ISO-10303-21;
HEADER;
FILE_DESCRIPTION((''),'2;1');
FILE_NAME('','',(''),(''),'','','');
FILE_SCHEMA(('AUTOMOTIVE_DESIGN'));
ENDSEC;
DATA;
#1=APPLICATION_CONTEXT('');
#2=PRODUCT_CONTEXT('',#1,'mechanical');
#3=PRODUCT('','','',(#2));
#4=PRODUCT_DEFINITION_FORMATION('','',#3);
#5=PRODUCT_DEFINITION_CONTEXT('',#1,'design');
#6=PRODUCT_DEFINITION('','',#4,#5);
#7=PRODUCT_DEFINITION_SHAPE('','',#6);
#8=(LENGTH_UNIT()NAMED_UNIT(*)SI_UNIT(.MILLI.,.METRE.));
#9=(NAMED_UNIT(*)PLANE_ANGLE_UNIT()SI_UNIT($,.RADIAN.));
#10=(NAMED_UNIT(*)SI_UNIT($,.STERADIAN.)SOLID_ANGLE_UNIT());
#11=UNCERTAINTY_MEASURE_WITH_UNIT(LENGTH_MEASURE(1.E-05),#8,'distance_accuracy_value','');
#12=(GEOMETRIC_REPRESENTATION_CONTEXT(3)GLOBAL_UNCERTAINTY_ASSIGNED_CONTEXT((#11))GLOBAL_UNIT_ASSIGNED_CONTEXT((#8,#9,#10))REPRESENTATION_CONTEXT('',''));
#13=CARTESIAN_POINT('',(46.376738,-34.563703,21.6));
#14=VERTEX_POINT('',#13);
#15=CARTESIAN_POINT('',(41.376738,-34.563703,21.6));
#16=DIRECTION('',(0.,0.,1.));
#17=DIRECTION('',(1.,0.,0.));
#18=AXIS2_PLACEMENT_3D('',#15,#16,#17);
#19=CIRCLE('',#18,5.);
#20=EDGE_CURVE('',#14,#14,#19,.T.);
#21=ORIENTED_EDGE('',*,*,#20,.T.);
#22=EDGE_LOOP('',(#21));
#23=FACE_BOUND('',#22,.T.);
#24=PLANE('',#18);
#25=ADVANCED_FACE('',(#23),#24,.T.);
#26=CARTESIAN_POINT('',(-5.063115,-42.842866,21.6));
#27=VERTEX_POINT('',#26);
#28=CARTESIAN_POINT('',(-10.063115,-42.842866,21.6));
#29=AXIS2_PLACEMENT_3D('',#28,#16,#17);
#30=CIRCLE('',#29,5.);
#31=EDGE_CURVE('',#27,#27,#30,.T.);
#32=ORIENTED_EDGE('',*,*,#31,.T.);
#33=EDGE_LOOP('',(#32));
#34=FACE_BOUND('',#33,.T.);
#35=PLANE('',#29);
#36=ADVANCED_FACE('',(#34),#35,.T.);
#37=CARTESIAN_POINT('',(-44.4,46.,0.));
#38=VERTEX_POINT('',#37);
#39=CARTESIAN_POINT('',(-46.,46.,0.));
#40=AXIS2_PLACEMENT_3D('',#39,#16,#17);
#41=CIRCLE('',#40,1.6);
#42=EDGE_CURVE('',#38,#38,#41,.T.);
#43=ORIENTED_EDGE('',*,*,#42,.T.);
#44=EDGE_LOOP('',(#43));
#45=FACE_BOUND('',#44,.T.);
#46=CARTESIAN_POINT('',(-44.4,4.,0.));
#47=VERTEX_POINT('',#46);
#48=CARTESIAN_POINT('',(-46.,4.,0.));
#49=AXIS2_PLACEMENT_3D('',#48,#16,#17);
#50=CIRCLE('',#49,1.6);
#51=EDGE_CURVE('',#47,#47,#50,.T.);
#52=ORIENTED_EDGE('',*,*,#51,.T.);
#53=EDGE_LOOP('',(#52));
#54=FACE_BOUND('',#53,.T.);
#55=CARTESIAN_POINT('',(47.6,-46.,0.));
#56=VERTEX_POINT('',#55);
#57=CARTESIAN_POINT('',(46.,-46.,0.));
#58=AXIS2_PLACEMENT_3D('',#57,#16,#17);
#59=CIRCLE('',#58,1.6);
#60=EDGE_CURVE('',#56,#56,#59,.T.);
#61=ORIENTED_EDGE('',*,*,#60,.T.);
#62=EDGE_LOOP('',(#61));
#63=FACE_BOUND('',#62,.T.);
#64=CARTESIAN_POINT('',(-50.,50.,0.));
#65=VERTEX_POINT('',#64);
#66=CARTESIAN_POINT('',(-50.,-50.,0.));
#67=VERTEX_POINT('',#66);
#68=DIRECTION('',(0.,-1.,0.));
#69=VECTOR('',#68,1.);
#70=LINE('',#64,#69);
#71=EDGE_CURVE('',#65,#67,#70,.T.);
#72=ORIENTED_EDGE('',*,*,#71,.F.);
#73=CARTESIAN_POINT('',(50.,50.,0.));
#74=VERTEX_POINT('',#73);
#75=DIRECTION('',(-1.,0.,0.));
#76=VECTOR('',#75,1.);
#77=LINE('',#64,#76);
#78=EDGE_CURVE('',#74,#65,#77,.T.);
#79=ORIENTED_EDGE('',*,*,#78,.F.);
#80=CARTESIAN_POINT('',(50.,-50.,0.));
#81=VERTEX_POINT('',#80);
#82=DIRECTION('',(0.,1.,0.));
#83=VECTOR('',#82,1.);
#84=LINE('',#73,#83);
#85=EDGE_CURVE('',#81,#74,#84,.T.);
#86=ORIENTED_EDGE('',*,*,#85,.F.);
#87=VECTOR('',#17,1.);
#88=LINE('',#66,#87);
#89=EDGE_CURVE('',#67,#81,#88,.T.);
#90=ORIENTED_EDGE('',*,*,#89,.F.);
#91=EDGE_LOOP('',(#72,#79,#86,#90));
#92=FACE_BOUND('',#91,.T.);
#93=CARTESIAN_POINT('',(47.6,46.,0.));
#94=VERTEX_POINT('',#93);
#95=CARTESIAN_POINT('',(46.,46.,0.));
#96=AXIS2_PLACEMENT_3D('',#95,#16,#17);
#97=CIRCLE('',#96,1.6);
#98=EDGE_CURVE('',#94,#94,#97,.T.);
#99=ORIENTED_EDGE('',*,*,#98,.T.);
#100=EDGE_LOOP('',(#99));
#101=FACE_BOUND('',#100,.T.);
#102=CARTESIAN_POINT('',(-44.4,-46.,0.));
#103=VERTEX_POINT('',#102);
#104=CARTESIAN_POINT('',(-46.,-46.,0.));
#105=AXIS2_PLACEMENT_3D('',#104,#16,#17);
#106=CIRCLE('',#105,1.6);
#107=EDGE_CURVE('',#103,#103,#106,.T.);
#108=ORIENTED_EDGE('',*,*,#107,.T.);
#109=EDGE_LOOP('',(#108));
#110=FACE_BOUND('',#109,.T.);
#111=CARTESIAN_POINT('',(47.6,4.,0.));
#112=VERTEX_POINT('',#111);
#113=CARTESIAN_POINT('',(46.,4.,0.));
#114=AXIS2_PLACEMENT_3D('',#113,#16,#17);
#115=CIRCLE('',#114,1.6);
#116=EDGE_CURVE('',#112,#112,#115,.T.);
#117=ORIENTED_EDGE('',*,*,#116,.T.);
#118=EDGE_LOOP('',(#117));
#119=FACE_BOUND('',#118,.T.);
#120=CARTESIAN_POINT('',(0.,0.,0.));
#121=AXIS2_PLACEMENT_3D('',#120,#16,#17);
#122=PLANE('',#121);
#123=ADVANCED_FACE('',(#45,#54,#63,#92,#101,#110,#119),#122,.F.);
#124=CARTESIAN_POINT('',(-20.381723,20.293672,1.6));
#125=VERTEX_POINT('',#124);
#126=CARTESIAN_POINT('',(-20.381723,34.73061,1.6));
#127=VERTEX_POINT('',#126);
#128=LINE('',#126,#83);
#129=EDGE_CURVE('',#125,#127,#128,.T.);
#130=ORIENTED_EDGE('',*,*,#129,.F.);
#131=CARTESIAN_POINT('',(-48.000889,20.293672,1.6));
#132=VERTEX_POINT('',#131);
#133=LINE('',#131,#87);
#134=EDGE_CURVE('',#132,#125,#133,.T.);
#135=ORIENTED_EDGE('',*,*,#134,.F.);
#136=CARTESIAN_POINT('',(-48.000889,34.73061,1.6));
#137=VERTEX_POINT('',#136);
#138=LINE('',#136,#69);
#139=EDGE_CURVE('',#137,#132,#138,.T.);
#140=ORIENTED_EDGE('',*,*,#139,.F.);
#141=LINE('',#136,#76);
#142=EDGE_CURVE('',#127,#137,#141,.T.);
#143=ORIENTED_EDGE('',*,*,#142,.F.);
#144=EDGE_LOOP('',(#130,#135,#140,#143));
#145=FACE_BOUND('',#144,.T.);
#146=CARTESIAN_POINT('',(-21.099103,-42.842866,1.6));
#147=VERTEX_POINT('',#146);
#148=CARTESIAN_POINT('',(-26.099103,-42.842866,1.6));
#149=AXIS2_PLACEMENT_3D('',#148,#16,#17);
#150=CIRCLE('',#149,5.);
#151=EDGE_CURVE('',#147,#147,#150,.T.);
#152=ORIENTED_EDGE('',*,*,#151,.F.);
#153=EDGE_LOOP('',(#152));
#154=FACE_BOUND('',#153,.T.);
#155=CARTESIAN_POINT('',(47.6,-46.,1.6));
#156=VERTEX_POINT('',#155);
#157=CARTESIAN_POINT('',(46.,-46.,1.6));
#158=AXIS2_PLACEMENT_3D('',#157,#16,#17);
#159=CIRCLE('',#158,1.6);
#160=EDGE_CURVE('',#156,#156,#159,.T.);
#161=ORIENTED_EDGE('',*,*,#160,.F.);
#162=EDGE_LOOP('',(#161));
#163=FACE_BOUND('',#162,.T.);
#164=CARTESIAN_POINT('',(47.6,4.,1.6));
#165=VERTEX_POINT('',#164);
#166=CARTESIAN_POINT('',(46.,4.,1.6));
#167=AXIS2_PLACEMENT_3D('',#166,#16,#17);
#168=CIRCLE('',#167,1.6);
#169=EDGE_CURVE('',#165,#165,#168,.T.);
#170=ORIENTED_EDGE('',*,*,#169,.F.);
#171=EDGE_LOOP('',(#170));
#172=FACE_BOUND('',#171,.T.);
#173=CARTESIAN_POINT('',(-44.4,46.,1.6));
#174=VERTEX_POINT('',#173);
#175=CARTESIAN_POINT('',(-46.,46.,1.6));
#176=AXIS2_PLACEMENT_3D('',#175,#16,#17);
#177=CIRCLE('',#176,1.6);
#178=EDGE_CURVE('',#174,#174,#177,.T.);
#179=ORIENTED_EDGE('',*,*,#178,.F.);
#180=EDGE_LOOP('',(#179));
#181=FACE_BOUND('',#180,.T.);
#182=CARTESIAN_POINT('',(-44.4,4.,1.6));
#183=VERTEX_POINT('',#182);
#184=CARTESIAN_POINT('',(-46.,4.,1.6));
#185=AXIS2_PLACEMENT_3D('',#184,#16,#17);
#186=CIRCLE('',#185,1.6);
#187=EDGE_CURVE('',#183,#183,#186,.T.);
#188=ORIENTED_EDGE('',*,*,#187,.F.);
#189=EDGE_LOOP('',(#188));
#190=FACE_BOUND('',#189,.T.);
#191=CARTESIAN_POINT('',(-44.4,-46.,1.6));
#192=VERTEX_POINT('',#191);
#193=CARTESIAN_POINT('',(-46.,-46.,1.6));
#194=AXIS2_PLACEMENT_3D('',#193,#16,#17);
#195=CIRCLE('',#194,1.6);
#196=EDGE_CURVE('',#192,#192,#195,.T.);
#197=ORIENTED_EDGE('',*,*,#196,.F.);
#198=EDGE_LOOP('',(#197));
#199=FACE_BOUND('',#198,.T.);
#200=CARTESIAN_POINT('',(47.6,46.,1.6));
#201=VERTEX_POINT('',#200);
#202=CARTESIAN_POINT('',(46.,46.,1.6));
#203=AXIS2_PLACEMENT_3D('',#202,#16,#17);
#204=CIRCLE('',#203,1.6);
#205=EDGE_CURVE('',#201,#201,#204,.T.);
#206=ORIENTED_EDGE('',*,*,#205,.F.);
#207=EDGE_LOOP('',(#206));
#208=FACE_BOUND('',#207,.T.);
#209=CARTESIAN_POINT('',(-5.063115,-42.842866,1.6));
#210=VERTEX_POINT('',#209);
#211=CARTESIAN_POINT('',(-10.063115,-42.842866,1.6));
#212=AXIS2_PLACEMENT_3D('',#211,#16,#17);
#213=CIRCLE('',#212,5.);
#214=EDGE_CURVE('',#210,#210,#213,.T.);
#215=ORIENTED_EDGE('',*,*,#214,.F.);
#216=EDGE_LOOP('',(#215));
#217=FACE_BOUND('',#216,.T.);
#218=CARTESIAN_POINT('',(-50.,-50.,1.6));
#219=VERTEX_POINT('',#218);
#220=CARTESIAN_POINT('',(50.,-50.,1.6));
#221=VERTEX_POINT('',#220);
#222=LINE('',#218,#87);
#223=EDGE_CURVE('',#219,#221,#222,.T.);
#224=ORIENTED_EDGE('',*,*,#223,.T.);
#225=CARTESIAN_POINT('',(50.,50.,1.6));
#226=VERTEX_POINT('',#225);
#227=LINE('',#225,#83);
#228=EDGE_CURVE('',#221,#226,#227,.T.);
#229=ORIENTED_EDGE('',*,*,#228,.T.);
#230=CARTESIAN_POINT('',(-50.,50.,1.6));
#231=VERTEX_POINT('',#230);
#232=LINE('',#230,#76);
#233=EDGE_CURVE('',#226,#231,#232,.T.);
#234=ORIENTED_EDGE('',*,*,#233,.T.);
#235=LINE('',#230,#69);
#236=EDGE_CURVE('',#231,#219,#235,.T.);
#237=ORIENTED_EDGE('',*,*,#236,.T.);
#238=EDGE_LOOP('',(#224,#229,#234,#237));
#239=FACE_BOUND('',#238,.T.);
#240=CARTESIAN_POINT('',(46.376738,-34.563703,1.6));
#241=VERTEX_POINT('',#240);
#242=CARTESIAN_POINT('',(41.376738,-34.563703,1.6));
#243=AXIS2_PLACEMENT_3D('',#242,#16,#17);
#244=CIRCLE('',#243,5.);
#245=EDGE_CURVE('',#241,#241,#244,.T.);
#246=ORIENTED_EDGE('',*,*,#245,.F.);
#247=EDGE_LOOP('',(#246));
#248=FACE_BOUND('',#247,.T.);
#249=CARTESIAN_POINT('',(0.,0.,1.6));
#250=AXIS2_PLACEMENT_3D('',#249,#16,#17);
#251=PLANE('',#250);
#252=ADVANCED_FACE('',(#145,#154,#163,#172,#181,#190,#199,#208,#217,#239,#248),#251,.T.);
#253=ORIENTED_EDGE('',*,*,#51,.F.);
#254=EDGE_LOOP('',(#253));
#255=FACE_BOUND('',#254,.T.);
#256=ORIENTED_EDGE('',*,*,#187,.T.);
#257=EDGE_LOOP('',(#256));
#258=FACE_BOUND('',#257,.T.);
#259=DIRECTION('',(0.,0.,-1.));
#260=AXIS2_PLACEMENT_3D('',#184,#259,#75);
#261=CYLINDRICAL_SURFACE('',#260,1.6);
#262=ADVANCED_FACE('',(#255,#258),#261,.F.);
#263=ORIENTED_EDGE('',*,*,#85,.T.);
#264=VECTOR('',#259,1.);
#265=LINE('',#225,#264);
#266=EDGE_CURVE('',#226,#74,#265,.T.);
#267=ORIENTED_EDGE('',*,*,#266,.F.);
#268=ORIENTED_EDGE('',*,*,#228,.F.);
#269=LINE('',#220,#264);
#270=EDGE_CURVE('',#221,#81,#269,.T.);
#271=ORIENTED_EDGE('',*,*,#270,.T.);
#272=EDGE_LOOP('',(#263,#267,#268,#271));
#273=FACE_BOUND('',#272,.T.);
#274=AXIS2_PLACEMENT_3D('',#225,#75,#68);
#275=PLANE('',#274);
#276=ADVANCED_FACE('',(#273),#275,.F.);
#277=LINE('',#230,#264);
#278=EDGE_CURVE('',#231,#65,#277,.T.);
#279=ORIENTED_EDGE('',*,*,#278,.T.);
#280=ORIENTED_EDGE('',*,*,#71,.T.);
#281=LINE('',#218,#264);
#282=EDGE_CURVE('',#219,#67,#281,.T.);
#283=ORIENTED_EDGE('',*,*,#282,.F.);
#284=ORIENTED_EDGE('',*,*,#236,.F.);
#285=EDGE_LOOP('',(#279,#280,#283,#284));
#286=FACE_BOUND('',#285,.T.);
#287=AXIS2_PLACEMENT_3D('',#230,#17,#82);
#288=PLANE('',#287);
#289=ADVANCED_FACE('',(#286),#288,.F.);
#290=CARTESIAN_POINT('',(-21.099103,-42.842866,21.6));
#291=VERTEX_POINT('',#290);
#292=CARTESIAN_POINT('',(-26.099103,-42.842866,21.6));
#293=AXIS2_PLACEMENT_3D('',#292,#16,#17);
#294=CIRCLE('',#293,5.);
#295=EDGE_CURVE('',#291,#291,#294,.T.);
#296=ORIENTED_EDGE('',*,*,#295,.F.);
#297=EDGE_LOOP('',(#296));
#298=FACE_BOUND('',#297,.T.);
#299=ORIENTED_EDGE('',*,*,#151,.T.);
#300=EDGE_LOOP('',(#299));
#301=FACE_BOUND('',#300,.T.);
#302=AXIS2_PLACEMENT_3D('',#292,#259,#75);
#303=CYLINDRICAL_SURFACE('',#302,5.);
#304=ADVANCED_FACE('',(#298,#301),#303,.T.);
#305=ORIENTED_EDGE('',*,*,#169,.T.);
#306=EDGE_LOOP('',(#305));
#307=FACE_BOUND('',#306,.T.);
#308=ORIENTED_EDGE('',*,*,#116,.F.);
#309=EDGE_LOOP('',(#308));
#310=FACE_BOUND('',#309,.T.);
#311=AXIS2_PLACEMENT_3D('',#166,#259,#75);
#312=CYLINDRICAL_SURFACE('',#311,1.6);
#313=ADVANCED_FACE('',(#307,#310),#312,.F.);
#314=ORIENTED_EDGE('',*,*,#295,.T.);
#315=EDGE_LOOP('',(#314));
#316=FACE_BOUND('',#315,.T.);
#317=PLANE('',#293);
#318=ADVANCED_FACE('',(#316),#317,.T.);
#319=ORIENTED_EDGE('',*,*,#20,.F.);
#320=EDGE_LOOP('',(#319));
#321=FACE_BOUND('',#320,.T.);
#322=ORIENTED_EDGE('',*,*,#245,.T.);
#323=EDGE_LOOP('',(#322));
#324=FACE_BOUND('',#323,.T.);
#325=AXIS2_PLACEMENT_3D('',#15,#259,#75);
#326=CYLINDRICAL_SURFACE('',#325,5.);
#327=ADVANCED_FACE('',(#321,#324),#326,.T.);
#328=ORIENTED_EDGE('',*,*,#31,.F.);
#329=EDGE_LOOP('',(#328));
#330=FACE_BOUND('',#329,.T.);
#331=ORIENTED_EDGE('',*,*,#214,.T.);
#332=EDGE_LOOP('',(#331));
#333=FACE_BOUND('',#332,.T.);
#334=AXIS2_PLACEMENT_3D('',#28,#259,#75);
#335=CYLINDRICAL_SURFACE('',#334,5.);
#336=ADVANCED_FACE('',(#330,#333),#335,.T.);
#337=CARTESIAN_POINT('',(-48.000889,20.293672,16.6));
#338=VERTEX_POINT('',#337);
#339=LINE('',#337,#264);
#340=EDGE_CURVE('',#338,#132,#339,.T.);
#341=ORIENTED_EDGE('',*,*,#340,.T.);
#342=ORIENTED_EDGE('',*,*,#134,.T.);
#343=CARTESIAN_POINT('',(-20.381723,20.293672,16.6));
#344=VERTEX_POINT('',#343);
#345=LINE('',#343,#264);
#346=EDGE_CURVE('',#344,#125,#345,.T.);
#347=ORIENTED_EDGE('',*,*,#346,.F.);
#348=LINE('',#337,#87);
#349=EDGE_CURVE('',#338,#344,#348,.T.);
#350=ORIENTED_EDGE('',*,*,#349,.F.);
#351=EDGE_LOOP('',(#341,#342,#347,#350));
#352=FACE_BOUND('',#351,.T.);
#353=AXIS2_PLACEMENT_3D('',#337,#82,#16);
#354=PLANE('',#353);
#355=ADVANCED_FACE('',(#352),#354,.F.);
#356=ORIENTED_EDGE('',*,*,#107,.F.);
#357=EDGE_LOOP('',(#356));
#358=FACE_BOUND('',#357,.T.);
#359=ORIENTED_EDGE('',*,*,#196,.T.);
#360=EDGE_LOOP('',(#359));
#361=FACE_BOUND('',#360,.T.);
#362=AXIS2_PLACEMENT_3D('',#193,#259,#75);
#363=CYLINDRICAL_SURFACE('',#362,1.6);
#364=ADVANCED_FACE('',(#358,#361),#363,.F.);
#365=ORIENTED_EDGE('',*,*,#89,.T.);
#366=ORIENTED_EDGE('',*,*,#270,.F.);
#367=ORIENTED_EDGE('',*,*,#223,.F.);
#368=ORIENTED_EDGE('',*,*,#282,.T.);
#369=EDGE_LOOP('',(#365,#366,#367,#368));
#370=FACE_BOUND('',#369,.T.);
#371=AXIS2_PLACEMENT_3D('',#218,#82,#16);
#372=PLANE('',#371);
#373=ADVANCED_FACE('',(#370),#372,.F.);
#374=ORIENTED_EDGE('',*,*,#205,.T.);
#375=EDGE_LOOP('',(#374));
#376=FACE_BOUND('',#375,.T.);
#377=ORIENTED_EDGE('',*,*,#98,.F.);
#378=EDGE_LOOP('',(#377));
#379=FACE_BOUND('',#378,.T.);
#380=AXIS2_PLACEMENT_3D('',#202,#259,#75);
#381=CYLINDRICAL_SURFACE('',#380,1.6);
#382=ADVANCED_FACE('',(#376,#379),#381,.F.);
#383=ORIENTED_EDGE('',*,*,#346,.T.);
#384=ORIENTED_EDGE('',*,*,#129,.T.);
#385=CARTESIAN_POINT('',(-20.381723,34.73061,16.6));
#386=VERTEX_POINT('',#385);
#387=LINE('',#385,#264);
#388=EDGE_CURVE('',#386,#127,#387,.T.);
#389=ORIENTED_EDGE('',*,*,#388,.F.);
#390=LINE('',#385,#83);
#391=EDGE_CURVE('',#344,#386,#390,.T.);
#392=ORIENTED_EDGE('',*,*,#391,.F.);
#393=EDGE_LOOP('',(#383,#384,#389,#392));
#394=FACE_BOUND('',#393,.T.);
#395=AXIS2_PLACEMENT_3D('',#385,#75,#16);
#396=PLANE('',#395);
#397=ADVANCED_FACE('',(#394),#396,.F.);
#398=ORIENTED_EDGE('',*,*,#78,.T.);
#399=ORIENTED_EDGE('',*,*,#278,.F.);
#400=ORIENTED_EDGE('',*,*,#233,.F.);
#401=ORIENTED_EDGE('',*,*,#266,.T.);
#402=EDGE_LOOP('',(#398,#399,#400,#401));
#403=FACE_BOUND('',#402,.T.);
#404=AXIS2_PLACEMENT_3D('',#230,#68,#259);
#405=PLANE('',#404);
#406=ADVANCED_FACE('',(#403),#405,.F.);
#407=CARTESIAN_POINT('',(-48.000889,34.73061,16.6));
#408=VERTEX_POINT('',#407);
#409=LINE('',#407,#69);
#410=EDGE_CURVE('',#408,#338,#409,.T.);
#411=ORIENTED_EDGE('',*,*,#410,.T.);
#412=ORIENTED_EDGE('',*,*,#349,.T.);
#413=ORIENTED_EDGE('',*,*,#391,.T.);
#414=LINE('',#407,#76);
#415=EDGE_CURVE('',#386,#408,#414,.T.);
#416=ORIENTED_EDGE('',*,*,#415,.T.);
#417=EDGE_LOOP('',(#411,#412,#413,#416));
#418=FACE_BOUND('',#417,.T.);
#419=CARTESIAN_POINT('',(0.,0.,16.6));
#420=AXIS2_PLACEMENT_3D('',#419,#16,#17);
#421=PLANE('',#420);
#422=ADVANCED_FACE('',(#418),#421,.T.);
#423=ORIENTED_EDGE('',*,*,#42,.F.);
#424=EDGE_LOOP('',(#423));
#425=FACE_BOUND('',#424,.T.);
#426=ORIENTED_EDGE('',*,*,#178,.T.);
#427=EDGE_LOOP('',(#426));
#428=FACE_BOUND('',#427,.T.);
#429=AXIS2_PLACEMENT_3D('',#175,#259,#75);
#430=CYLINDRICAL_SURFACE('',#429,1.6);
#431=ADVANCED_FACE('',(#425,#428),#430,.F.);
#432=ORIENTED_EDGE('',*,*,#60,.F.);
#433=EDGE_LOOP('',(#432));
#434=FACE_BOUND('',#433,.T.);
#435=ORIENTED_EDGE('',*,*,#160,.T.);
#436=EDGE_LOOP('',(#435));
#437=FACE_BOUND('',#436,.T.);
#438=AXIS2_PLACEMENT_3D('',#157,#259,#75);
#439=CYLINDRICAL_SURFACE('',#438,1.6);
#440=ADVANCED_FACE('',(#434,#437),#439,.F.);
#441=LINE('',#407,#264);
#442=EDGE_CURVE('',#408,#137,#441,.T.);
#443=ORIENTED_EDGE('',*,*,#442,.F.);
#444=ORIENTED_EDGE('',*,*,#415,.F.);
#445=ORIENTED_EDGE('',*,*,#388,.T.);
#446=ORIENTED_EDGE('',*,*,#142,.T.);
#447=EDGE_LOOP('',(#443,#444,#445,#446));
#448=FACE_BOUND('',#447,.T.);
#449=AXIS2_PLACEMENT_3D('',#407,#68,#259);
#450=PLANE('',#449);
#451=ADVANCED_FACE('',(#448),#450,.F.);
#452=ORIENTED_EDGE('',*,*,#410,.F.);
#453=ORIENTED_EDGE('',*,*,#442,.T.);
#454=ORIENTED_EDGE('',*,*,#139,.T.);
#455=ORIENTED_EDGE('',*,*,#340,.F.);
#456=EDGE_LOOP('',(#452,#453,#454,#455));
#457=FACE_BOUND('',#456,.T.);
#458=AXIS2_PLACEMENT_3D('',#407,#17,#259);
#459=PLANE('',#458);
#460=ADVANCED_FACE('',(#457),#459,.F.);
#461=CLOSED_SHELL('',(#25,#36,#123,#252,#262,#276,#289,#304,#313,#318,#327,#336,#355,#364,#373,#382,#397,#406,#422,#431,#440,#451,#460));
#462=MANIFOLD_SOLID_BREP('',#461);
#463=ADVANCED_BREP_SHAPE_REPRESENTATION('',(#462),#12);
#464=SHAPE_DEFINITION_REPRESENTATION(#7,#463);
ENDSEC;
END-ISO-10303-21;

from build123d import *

# Parameters (mm, degrees)
ESQUISSE1_W        = 100
ESQUISSE1_H        = 100
ESQUISSE1_R        = 1.6
BOSS_EXTRU_1_DEPTH = 1.6
ESQUISSE2_R        = 5
BOSS_EXTRU_2_DEPTH = 20
ESQUISSE3_W        = 27.619166331
ESQUISSE3_H        = 14.436937143
BOSS_EXTRU_3_DEPTH = 15


with BuildPart() as part:
    # Esquisse1 → Boss.-Extru.1 (new body)
    with BuildSketch(Plane.XY):
        Rectangle(ESQUISSE1_W, ESQUISSE1_H)
        with Locations((-46, 46)):
            Circle(ESQUISSE1_R, mode=Mode.SUBTRACT)
        with Locations((46, 46)):
            Circle(ESQUISSE1_R, mode=Mode.SUBTRACT)
        with Locations((46, 4)):
            Circle(ESQUISSE1_R, mode=Mode.SUBTRACT)
        with Locations((-46, 4)):
            Circle(ESQUISSE1_R, mode=Mode.SUBTRACT)
        with Locations((-46, -46)):
            Circle(ESQUISSE1_R, mode=Mode.SUBTRACT)
        with Locations((46, -46)):
            Circle(ESQUISSE1_R, mode=Mode.SUBTRACT)
    extrude(amount=BOSS_EXTRU_1_DEPTH)

    # Esquisse2 → Boss.-Extru.2 (add)
    with BuildSketch(Plane.XY.offset(1.6)):
        with Locations((-26.099103373, -42.842866213)):
            Circle(ESQUISSE2_R)
        with Locations((-10.063114572, -42.842866213)):
            Circle(ESQUISSE2_R)
        with Locations((41.376738419, -34.563702957)):
            Circle(ESQUISSE2_R)
    extrude(amount=BOSS_EXTRU_2_DEPTH)

    # Esquisse3 → Boss.-Extru.3 (add)
    with BuildSketch(Plane.XY.offset(1.6)):
        with Locations((-34.191305716, 27.512141018)):
            Rectangle(ESQUISSE3_W, ESQUISSE3_H)
    extrude(amount=BOSS_EXTRU_3_DEPTH)


solid = part.part
